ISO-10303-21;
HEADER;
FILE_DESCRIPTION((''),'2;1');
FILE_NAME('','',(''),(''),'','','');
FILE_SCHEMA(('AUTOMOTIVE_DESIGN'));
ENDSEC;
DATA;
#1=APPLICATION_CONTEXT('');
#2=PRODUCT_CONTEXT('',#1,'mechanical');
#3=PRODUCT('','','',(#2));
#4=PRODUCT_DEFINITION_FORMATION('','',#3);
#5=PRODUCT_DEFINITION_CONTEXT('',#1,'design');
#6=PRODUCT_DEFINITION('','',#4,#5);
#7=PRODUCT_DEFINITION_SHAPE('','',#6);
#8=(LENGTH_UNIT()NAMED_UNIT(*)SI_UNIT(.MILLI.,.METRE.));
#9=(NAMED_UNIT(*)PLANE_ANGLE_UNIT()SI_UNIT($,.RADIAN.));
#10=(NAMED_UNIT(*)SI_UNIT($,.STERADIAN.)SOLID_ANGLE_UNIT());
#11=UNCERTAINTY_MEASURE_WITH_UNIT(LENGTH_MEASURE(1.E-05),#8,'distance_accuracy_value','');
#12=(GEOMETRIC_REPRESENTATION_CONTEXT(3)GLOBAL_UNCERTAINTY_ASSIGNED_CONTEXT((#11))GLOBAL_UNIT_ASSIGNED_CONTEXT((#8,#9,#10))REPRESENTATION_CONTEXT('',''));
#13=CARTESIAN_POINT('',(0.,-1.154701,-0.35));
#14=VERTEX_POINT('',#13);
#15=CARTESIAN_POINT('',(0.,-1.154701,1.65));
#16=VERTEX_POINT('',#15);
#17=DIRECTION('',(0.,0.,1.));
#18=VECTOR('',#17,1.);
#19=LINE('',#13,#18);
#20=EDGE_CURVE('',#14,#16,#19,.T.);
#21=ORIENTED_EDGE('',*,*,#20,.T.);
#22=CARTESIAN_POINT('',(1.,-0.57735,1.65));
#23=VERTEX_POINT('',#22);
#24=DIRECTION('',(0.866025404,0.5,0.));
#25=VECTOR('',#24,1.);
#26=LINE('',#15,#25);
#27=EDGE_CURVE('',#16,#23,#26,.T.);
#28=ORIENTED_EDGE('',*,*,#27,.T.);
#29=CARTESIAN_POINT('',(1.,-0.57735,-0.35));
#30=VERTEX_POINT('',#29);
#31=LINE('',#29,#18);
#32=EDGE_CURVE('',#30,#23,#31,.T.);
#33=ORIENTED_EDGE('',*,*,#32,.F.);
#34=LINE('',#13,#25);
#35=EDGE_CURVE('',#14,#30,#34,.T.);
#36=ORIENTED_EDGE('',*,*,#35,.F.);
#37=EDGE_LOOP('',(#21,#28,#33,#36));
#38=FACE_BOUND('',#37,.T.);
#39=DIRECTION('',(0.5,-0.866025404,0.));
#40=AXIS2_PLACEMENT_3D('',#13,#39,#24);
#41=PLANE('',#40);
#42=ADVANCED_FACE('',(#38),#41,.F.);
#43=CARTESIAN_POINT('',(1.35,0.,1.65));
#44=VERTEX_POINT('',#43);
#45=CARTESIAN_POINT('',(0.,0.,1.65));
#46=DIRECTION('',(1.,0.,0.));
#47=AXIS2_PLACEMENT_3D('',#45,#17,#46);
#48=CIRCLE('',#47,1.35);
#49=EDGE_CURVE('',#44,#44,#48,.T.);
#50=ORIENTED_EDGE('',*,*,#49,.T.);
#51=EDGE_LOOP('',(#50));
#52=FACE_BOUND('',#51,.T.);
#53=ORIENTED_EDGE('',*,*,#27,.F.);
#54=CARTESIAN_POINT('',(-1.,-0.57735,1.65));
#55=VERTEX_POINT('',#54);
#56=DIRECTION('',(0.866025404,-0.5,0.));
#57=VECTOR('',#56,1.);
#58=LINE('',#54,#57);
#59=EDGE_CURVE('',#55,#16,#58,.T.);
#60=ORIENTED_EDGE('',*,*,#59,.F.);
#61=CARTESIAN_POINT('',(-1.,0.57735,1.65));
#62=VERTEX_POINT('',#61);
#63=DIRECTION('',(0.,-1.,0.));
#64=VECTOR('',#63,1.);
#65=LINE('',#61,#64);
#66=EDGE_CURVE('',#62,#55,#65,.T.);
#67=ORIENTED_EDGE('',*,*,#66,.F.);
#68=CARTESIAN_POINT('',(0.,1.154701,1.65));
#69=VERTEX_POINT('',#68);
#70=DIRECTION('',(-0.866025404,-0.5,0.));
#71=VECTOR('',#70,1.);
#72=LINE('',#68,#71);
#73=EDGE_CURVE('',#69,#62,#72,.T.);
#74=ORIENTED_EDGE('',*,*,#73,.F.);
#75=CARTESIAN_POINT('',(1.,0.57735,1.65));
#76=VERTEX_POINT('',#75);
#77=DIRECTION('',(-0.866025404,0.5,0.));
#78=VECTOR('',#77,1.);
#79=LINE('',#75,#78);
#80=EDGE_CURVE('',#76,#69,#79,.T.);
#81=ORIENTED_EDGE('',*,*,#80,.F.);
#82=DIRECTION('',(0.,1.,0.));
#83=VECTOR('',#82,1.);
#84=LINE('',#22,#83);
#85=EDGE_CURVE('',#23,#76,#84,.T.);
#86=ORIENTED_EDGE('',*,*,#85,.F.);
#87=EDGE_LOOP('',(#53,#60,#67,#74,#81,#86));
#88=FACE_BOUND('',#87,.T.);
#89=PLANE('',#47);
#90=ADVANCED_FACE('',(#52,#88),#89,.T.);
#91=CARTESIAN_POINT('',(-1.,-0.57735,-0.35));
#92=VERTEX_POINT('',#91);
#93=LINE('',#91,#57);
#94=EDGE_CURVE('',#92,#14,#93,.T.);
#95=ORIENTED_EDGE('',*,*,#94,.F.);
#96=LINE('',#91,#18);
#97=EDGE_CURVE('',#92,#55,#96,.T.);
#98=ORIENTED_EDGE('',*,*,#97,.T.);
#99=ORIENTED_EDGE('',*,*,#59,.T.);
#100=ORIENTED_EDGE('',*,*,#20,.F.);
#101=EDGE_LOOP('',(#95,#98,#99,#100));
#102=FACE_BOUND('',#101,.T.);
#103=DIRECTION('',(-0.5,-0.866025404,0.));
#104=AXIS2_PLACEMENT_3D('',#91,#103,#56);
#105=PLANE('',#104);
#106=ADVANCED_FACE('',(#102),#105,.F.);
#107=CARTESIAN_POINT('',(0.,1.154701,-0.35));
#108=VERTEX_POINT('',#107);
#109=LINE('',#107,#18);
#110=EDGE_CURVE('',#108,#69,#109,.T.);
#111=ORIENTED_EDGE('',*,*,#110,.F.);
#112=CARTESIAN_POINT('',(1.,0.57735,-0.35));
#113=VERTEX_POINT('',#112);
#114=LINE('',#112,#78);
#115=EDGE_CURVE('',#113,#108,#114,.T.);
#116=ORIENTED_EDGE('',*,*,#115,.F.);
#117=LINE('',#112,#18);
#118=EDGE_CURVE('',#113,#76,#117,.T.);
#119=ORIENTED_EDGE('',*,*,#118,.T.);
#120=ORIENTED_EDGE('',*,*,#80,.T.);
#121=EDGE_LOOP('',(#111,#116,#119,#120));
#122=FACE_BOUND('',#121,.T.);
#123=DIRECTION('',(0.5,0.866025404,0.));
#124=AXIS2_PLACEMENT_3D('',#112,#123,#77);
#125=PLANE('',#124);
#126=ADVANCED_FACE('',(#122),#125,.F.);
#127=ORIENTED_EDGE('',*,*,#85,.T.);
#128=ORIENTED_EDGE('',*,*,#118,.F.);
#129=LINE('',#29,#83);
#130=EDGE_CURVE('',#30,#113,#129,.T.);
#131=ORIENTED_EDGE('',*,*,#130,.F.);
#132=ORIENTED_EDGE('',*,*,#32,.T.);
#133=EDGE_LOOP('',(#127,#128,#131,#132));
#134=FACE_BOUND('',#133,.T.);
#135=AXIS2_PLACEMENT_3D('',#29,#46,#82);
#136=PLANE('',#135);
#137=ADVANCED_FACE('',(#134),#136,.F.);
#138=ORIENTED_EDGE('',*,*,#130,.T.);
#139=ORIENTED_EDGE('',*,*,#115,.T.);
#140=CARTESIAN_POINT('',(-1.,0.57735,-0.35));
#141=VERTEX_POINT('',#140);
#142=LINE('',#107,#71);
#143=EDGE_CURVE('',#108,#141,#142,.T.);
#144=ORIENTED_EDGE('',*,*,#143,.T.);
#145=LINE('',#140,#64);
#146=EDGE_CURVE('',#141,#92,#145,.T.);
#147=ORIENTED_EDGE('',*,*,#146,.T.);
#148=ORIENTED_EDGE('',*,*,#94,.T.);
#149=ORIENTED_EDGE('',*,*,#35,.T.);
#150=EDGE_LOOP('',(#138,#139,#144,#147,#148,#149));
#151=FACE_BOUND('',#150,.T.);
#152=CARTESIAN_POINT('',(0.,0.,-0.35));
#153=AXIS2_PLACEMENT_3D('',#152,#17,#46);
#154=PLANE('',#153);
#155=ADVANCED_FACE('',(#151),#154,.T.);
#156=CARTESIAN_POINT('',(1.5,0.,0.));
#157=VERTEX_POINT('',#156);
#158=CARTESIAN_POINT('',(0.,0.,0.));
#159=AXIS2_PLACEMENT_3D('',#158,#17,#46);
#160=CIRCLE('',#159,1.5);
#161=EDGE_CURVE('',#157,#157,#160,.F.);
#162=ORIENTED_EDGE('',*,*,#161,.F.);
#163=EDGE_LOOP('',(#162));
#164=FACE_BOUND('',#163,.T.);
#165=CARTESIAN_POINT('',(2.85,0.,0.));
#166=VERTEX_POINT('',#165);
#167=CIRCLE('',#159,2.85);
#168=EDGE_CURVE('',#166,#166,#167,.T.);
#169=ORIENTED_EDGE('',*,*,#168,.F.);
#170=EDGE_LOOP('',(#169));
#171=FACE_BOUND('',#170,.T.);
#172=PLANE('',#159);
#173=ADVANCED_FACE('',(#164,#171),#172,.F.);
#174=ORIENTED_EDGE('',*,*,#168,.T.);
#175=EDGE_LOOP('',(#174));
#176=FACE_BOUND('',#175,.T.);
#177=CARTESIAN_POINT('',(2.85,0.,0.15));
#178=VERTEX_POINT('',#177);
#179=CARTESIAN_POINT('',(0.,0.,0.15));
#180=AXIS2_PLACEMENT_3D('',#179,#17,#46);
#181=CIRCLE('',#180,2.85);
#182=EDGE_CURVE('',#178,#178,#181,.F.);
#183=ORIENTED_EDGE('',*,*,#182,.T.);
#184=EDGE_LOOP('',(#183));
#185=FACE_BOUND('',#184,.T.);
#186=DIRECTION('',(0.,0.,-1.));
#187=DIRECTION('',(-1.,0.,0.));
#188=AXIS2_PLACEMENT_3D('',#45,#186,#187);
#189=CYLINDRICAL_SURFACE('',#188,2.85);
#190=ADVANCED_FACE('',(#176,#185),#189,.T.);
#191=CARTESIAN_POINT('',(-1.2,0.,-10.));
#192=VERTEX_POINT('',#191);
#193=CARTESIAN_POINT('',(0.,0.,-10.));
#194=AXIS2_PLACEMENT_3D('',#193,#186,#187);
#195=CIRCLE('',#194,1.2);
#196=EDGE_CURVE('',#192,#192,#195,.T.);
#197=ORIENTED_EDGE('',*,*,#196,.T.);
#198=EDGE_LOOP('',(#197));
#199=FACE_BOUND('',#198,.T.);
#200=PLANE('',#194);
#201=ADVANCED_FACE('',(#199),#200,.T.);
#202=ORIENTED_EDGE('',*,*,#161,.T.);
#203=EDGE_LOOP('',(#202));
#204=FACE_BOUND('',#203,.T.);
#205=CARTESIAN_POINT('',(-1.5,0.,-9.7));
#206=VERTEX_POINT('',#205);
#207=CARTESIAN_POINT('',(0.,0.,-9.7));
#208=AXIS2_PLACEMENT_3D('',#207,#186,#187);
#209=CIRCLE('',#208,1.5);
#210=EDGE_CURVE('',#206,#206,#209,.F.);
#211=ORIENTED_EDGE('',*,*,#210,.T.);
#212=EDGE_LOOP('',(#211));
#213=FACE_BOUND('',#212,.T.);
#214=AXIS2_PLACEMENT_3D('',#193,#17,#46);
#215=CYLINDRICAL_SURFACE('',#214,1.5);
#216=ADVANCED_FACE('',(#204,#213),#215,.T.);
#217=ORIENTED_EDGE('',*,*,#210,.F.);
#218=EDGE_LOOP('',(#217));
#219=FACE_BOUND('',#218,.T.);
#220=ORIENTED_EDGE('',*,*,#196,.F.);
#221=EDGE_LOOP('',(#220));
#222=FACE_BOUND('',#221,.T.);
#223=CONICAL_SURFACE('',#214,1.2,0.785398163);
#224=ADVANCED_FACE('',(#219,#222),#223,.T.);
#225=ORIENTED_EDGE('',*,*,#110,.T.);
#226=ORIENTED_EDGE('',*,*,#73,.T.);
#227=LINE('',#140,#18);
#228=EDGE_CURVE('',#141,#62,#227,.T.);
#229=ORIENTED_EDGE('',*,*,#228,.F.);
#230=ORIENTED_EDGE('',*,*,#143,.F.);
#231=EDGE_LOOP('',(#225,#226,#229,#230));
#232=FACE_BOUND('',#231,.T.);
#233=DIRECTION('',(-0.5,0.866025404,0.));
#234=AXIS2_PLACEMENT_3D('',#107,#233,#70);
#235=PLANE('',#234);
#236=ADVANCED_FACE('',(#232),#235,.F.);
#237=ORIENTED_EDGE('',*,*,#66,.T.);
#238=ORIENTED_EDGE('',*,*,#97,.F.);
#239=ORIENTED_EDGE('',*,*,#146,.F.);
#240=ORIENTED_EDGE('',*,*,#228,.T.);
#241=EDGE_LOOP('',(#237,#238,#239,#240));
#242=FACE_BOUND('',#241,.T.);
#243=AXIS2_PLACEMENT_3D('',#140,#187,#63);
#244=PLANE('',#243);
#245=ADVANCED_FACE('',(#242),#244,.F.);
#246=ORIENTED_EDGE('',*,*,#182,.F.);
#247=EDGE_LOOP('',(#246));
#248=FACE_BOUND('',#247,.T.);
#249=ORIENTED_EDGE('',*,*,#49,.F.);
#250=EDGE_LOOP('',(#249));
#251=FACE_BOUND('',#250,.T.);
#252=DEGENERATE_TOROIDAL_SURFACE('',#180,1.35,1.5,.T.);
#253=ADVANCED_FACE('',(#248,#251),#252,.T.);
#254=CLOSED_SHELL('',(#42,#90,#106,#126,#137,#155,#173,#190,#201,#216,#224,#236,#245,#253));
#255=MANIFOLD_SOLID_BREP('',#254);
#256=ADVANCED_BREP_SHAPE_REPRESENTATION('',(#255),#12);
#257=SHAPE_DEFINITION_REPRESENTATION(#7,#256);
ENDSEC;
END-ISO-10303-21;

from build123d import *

# Parameters (mm, degrees)
SKETCH1_R           = 2.85
BOSS_EXTRUDE1_DEPTH = 1.65
SKETCH2_R           = 1.5
BOSS_EXTRUDE2_DEPTH = 10
CHAMFER1_SIZE       = 0.3
CUT_EXTRUDE1_DEPTH  = 2
FILLET1_R           = 1.5


with BuildPart() as part:
    # Sketch1 → Boss-Extrude1 (new body)
    with BuildSketch(Plane.XY):
        Circle(SKETCH1_R)
    extrude(amount=BOSS_EXTRUDE1_DEPTH)

    # Sketch2 → Boss-Extrude2 (add)
    with BuildSketch(Plane(origin=(0, 0, 0), x_dir=(-1, 0, 0), z_dir=(0, 0, -1))):
        Circle(SKETCH2_R)
    extrude(amount=BOSS_EXTRUDE2_DEPTH)

    # Chamfer1
    chamfer1_edges = [part.edges().sort_by_distance(p)[0] for p in [
        (1.5, 0, -10),
    ]]
    chamfer(chamfer1_edges, length=CHAMFER1_SIZE)

    # Sketch3 → Cut-Extrude1 (cut)
    with BuildSketch(Plane.XY.offset(1.65)):
        Polygon((0, 1.154700538), (-1, 0.577350269), (-1, -0.577350269), (0, -1.154700538), (1, -0.577350269), (1, 0.577350269), align=None)
    extrude(amount=-CUT_EXTRUDE1_DEPTH, mode=Mode.SUBTRACT)

    # Fillet1
    fillet1_edges = [part.edges().sort_by_distance(p)[0] for p in [
        (-2.85, 0, 1.65),
    ]]
    fillet(fillet1_edges, radius=FILLET1_R)


solid = part.part
